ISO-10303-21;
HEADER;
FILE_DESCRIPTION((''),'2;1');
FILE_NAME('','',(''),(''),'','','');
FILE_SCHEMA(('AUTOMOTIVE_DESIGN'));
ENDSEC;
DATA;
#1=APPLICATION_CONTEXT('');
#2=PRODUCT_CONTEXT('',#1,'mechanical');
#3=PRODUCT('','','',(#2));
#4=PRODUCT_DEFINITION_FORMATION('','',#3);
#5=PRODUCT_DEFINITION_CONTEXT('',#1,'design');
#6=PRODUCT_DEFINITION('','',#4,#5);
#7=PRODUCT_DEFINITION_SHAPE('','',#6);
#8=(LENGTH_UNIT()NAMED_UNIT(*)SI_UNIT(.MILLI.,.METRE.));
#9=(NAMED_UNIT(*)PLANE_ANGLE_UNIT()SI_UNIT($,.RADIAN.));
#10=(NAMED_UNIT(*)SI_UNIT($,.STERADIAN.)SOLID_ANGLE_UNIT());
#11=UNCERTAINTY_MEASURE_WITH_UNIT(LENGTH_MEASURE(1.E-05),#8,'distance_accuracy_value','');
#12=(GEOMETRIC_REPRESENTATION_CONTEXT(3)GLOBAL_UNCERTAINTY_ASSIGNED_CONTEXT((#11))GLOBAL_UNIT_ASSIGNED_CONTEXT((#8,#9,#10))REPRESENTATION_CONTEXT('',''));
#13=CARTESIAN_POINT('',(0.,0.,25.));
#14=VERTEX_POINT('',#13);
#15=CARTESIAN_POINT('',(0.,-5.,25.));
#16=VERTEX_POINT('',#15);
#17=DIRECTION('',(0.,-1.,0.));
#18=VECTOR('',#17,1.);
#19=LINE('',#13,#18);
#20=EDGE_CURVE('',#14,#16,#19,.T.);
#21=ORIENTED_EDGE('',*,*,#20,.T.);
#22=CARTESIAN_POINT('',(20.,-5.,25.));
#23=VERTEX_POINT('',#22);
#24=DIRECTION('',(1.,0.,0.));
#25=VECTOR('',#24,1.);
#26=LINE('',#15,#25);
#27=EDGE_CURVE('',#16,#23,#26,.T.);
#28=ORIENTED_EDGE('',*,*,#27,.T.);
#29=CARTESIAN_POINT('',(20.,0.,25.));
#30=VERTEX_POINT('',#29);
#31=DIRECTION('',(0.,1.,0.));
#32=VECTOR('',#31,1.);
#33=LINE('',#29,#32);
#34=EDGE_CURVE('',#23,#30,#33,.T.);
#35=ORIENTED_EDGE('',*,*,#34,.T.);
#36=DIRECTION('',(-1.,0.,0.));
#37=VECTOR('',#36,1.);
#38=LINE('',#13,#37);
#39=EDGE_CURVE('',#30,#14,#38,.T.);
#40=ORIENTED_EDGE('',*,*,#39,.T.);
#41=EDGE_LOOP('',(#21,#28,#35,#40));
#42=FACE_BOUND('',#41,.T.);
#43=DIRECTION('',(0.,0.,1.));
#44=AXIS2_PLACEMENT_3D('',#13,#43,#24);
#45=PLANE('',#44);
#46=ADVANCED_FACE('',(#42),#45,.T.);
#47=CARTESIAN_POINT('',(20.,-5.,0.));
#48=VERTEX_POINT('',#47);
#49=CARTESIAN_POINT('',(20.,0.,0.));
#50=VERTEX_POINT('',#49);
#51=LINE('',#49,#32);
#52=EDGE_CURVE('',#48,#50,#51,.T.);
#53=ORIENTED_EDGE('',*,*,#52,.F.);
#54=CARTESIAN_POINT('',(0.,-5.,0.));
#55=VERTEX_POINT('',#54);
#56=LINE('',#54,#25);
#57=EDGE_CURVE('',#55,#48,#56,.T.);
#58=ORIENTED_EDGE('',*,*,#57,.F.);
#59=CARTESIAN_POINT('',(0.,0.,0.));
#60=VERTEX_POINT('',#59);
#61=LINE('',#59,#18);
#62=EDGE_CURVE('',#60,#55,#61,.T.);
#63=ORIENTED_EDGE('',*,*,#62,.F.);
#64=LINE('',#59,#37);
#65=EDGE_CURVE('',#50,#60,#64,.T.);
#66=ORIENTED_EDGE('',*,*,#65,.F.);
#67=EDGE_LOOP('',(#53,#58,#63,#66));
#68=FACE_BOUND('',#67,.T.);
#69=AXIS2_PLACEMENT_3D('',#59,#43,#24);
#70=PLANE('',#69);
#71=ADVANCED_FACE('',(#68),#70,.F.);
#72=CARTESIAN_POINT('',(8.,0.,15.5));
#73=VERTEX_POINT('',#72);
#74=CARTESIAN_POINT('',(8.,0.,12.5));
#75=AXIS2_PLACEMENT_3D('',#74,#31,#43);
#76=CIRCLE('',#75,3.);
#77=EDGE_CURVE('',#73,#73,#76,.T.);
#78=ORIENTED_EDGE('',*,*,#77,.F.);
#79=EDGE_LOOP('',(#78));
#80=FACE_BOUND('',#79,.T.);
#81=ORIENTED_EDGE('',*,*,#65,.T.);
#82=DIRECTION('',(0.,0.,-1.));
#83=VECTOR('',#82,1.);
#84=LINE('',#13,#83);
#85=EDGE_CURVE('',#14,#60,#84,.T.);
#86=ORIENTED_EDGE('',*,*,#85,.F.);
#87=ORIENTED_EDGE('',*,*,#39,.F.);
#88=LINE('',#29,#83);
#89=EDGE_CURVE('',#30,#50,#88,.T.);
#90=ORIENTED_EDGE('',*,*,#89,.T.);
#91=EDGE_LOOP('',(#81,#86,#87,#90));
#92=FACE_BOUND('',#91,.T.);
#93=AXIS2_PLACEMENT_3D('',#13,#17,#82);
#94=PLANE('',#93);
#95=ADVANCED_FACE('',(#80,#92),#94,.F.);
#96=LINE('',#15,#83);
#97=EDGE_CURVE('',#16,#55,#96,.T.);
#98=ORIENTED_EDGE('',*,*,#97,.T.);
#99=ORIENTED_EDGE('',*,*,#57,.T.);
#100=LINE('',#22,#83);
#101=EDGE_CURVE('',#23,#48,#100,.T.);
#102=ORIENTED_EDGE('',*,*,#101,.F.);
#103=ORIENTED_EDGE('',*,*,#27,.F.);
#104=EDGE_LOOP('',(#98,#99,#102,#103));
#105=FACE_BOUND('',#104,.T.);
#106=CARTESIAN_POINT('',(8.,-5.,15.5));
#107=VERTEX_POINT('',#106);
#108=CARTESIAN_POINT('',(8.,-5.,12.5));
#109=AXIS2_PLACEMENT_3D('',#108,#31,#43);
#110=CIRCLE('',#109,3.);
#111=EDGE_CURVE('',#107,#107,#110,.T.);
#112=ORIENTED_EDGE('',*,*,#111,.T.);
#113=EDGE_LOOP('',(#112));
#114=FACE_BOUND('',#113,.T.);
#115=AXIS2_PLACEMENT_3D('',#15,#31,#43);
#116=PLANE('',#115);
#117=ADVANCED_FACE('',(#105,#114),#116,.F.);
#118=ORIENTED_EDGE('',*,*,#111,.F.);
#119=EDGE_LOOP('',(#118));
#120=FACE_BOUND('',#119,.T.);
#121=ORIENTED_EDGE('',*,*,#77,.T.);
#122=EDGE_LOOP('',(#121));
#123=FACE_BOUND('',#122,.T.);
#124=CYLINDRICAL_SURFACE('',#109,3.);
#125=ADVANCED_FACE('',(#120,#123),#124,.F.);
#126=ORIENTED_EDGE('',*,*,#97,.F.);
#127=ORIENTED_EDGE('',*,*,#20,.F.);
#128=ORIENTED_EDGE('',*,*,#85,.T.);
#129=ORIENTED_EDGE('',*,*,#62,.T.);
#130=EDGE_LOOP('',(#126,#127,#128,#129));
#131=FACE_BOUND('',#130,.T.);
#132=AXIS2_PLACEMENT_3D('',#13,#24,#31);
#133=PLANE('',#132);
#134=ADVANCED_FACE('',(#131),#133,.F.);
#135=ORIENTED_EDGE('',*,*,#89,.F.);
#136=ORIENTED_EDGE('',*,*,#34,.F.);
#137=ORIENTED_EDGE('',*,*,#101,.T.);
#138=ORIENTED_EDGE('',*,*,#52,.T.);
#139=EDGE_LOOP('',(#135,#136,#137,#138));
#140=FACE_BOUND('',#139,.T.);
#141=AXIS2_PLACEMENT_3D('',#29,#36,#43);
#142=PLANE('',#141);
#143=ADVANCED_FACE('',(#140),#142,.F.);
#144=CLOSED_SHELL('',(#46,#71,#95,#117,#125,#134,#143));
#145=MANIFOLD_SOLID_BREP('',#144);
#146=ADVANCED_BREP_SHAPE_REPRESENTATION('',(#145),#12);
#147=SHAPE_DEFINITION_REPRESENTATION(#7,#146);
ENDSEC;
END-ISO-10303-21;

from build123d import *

# Parameters (mm, degrees)
ESQUISSE1_W             = 20
ESQUISSE1_H             = 5
BOSS_EXTRU_1_DEPTH      = 25
ESQUISSE2_R             = 3
ENL_V_MAT_EXTRU_1_DEPTH = 6


with BuildPart() as part:
    # Esquisse1 → Boss.-Extru.1 (new body)
    with BuildSketch(Plane.XY):
        with Locations((10, -2.5)):
            Rectangle(ESQUISSE1_W, ESQUISSE1_H)
    extrude(amount=BOSS_EXTRU_1_DEPTH)

    # Esquisse2 → Enlèv. mat.-Extru.1 (cut, through all)
    with BuildSketch(Plane(origin=(0, 0, 0), x_dir=(1, 0, 0), z_dir=(0, 1, 0))):
        with Locations((8, -12.5)):
            Circle(ESQUISSE2_R)
    extrude(amount=-ENL_V_MAT_EXTRU_1_DEPTH, mode=Mode.SUBTRACT)


solid = part.part
